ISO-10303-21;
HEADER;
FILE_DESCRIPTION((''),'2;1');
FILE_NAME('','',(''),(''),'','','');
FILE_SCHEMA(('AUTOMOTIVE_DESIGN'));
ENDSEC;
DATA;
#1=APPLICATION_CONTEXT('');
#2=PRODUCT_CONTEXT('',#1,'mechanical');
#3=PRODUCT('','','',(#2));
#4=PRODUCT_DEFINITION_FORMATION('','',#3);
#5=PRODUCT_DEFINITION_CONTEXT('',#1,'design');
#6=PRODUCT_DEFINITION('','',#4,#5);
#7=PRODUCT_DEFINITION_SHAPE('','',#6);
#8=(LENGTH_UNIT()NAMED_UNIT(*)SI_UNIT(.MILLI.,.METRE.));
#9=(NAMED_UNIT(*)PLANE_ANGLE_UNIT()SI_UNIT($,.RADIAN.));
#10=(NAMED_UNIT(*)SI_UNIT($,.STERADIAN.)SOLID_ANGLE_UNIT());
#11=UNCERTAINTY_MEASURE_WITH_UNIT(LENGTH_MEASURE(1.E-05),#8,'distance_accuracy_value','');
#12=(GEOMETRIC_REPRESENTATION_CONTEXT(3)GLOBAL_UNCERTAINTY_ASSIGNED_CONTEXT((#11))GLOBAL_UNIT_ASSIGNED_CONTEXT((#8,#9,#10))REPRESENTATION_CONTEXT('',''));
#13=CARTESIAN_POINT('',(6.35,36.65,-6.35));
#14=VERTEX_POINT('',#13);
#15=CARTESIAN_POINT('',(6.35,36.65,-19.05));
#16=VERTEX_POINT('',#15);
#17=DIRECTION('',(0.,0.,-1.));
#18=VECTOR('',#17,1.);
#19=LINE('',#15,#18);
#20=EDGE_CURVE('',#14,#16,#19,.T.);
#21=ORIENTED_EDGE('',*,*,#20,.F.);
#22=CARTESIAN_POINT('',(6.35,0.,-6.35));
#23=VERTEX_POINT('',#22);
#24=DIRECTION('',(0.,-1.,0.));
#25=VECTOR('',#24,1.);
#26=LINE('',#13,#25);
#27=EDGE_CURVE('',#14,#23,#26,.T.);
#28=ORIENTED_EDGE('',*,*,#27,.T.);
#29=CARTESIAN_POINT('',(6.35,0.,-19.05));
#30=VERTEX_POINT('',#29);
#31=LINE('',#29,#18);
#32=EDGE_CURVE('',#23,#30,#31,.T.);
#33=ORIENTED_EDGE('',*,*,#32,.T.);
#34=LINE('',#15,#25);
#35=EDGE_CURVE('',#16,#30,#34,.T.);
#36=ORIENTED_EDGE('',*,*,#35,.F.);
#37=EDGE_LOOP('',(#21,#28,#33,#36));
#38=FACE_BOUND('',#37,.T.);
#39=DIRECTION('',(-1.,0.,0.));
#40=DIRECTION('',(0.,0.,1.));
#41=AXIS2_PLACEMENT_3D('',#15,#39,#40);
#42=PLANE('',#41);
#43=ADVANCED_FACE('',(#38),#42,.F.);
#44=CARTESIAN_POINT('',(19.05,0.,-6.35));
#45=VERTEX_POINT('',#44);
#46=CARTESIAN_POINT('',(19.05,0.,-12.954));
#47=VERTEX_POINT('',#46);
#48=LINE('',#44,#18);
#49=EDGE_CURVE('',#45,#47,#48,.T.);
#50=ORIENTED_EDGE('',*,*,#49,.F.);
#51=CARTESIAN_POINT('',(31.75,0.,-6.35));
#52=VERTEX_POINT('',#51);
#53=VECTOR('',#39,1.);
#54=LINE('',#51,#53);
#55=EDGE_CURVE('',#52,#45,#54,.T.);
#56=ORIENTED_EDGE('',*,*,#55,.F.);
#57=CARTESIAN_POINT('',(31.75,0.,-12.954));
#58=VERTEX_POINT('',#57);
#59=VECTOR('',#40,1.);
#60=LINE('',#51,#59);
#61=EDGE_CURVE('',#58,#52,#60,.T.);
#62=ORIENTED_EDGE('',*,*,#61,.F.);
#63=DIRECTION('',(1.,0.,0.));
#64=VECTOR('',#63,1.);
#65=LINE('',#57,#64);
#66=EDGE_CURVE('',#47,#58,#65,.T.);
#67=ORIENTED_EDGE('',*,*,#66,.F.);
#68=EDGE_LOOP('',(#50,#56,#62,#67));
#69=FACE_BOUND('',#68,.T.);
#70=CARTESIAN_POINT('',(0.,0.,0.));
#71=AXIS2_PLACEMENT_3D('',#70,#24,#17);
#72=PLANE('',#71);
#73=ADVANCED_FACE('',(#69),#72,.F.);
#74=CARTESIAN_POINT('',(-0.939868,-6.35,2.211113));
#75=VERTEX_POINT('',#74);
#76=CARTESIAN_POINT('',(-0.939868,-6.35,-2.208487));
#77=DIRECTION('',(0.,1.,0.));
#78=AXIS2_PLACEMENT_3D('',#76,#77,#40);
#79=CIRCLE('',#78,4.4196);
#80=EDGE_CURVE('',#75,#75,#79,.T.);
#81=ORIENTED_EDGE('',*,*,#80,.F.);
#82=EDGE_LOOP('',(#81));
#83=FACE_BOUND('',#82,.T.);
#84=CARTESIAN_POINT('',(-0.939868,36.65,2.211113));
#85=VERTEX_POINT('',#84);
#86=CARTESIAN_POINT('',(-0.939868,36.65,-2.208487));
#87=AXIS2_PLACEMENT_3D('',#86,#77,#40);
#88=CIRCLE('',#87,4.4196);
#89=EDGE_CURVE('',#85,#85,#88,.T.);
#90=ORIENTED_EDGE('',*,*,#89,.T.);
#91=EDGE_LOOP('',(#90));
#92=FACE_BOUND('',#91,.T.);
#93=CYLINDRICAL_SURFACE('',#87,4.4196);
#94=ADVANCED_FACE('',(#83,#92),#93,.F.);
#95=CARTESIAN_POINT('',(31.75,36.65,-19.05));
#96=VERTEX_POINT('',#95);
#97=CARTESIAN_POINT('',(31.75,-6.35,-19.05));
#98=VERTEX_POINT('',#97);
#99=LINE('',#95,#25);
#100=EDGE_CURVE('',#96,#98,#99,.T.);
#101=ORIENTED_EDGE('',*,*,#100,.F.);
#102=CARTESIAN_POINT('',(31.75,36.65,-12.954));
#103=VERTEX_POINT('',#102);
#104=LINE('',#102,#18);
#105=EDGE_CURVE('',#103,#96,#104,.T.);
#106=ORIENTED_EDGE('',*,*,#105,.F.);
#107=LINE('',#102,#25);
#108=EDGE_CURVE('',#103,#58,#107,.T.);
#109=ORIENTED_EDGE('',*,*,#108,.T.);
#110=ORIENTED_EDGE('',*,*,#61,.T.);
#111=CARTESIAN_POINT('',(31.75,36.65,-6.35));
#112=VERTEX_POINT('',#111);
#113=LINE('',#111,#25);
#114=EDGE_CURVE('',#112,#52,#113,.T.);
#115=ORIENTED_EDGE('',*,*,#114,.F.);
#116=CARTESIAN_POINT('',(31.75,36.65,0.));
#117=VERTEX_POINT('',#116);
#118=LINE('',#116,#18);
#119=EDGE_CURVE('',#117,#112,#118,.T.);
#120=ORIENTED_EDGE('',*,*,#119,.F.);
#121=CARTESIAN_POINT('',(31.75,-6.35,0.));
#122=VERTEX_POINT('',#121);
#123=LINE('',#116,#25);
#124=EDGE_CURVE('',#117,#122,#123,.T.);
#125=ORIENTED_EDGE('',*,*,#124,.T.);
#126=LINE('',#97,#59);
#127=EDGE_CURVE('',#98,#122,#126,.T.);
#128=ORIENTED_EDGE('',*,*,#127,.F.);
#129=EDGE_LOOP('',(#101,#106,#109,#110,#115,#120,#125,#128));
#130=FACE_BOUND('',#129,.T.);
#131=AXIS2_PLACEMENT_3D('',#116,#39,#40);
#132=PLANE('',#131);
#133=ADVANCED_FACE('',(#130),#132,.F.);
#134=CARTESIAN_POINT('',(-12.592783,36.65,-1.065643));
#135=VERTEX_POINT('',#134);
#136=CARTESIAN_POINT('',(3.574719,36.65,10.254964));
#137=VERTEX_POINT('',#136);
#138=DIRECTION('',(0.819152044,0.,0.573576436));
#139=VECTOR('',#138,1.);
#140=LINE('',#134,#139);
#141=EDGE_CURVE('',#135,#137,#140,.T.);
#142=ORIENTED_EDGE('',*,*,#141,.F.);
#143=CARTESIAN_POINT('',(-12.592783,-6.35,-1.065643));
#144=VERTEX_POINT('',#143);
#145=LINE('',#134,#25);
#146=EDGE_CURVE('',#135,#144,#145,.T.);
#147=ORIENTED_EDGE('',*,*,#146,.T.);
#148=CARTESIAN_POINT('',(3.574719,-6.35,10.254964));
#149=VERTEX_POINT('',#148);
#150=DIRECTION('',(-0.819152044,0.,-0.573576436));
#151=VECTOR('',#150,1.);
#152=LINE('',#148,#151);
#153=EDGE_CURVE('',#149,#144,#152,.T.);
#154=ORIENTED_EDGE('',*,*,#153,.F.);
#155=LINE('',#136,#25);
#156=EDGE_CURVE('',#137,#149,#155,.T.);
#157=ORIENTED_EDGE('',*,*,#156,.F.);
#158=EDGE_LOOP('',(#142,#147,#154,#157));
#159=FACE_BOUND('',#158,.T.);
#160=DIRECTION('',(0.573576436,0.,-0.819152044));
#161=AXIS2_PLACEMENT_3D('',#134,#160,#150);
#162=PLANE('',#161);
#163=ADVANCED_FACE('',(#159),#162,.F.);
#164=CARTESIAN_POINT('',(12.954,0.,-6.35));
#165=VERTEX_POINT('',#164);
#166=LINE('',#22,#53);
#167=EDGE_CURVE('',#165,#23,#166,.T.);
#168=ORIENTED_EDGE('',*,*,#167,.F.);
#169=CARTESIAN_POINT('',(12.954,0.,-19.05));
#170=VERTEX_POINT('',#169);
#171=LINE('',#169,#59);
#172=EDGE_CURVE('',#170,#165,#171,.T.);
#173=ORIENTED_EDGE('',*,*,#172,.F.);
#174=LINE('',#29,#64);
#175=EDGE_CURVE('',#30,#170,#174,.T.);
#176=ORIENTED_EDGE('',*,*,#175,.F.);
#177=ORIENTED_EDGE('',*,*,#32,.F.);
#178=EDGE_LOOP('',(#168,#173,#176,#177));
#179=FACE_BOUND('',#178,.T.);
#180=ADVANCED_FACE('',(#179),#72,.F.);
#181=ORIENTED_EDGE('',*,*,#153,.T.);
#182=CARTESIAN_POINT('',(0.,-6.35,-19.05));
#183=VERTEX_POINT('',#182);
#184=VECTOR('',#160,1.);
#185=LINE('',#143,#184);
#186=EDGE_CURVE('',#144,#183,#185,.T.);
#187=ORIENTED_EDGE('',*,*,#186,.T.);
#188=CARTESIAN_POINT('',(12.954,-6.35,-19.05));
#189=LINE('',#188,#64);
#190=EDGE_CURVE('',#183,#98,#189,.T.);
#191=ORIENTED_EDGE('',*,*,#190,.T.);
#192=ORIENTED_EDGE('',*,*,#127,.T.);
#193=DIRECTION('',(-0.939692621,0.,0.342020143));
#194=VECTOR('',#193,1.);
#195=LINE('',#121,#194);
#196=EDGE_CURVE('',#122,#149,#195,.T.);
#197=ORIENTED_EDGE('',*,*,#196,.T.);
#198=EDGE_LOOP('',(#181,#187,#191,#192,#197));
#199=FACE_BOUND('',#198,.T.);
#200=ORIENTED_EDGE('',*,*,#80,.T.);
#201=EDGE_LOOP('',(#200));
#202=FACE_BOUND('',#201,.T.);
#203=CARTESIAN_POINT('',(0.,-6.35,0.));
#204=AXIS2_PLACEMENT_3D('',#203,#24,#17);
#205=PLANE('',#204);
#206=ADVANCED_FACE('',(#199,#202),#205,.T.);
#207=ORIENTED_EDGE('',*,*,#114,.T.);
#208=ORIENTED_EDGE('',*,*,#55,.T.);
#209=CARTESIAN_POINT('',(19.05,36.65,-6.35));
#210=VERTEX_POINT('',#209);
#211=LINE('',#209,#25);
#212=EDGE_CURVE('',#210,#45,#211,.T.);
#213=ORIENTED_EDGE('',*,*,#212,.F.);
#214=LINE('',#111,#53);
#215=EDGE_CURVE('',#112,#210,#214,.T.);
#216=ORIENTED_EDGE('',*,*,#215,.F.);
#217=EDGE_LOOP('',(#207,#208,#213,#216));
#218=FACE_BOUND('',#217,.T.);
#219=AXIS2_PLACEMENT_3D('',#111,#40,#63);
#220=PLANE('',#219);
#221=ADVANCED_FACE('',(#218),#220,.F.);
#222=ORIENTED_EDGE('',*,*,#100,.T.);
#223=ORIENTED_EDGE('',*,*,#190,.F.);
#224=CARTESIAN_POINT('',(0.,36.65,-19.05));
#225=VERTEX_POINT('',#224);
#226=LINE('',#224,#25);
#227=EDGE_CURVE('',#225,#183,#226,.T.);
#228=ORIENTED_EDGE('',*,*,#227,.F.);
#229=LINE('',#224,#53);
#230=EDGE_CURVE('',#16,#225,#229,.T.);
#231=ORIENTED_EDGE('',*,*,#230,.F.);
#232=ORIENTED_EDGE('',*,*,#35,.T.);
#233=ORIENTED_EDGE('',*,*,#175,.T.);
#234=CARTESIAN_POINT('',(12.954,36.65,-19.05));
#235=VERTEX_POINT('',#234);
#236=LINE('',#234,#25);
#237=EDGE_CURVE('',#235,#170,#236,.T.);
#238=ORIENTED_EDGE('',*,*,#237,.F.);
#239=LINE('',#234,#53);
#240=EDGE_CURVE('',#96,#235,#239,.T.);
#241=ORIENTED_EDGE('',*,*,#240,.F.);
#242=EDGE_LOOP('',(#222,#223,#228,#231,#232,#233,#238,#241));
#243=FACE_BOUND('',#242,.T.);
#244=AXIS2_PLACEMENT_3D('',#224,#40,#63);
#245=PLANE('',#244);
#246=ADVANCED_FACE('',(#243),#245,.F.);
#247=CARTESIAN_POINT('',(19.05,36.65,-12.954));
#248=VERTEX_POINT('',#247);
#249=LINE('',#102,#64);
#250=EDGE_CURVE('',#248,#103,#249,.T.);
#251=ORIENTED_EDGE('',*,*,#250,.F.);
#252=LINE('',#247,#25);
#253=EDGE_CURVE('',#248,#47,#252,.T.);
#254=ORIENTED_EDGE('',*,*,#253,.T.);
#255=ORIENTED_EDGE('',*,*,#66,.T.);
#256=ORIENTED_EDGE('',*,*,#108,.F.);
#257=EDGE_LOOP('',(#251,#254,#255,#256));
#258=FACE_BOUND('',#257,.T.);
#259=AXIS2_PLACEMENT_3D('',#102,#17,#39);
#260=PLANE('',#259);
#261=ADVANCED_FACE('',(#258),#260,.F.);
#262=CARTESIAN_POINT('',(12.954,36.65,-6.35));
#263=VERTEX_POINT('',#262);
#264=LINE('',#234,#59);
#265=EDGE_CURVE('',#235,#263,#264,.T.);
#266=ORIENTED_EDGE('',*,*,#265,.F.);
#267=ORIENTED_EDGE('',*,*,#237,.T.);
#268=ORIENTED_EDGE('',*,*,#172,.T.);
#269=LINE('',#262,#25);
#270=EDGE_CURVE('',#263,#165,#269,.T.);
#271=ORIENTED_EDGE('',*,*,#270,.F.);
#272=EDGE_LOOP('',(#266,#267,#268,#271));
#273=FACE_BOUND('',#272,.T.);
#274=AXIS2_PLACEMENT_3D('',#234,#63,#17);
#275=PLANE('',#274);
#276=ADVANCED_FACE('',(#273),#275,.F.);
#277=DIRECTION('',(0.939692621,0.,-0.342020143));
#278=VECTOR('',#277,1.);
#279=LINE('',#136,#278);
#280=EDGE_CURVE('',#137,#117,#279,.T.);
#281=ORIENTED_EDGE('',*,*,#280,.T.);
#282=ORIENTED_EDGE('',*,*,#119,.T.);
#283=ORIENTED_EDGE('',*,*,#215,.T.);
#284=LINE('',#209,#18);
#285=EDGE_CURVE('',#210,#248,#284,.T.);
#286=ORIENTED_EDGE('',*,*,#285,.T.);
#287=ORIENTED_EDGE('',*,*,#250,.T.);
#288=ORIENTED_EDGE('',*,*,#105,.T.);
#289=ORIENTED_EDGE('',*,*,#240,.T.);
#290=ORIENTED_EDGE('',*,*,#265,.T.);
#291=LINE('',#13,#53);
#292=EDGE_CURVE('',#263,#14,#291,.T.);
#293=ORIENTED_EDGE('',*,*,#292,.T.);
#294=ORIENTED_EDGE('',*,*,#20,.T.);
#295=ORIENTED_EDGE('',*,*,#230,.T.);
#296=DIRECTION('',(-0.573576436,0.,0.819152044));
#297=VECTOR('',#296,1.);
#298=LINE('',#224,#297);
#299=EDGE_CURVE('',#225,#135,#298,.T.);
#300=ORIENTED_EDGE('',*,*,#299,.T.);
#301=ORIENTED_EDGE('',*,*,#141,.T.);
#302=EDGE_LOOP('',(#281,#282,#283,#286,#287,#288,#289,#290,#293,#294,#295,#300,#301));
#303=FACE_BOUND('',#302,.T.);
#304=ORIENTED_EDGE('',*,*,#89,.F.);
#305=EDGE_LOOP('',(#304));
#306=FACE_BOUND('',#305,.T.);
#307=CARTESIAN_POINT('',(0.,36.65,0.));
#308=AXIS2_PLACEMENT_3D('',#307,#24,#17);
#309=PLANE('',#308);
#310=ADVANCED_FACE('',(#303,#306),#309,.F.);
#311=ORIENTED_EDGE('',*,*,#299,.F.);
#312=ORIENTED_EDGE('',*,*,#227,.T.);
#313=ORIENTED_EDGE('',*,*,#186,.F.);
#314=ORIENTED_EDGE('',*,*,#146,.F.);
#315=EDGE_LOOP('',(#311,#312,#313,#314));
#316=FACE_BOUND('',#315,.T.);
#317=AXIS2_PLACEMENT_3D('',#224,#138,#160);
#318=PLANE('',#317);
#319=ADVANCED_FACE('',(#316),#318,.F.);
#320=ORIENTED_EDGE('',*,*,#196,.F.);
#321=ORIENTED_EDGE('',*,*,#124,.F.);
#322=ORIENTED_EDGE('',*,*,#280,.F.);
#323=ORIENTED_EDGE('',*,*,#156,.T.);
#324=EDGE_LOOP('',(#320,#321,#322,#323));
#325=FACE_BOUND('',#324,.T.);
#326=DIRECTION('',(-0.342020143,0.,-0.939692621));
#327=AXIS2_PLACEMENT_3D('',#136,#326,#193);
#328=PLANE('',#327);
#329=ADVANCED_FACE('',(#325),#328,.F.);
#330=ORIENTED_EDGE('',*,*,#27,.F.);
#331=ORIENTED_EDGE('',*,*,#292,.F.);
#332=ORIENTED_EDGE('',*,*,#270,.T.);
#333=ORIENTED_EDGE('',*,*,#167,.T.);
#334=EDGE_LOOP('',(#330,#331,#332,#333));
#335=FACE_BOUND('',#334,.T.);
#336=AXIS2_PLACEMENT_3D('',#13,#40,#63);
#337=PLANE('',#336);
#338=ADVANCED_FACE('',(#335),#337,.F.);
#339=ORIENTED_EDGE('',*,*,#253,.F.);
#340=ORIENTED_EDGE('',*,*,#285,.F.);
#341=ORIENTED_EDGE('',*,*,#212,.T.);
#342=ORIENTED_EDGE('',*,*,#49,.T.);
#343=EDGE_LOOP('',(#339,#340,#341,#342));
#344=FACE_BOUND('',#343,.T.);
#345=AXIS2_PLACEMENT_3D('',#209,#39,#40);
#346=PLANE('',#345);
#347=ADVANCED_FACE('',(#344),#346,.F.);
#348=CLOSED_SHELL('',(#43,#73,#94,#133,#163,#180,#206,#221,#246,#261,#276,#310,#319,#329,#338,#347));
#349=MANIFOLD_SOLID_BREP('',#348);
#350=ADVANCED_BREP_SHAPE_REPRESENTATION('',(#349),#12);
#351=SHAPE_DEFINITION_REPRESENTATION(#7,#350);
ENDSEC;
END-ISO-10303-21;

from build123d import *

# Parameters (mm, degrees)
BOSS_EXTRUDE1_DEPTH      = 36.650000106
BOSS_EXTRUDE3_DEPTH      = 6.35
S_0_348_DIAMETER_HOLE1_D = 8.8392


with BuildPart() as part:
    # Sketch1 → Boss-Extrude1 (new body)
    with BuildSketch(Plane(origin=(0, 0, 0), x_dir=(1, 0, 0), z_dir=(0, 1, 0))):
        Polygon((12.954, 19.05), (31.75, 19.05), (31.75, 12.954), (19.05, 12.954), (19.05, 6.35), (31.75, 6.35), (31.75, 0), (3.574718809, -10.254963696), (-12.592782584, 1.065642654), (0, 19.05), (6.35, 19.05), (6.35, 6.35), (12.954, 6.35), align=None)
    extrude(amount=BOSS_EXTRUDE1_DEPTH)

    # Sketch8 → Boss-Extrude3 (add)
    with BuildSketch(Plane.XZ):
        Polygon((6.35, -19.05), (12.954, -19.05), (31.75, -19.05), (31.75, -12.954), (31.75, -6.35), (31.75, 0), (3.574718809, 10.254963696), (-12.592782584, -1.065642654), (0, -19.05), align=None)
    extrude(amount=BOSS_EXTRUDE3_DEPTH)

    # S (0.348) Diameter Hole1 (through all)
    with Locations(Plane(origin=(0, 36.650000106, 0), x_dir=(1, 0, 0), z_dir=(0, 1, 0))):
        with Locations((-0.939868465, 2.208486712)):
            Hole(S_0_348_DIAMETER_HOLE1_D / 2)


solid = part.part
